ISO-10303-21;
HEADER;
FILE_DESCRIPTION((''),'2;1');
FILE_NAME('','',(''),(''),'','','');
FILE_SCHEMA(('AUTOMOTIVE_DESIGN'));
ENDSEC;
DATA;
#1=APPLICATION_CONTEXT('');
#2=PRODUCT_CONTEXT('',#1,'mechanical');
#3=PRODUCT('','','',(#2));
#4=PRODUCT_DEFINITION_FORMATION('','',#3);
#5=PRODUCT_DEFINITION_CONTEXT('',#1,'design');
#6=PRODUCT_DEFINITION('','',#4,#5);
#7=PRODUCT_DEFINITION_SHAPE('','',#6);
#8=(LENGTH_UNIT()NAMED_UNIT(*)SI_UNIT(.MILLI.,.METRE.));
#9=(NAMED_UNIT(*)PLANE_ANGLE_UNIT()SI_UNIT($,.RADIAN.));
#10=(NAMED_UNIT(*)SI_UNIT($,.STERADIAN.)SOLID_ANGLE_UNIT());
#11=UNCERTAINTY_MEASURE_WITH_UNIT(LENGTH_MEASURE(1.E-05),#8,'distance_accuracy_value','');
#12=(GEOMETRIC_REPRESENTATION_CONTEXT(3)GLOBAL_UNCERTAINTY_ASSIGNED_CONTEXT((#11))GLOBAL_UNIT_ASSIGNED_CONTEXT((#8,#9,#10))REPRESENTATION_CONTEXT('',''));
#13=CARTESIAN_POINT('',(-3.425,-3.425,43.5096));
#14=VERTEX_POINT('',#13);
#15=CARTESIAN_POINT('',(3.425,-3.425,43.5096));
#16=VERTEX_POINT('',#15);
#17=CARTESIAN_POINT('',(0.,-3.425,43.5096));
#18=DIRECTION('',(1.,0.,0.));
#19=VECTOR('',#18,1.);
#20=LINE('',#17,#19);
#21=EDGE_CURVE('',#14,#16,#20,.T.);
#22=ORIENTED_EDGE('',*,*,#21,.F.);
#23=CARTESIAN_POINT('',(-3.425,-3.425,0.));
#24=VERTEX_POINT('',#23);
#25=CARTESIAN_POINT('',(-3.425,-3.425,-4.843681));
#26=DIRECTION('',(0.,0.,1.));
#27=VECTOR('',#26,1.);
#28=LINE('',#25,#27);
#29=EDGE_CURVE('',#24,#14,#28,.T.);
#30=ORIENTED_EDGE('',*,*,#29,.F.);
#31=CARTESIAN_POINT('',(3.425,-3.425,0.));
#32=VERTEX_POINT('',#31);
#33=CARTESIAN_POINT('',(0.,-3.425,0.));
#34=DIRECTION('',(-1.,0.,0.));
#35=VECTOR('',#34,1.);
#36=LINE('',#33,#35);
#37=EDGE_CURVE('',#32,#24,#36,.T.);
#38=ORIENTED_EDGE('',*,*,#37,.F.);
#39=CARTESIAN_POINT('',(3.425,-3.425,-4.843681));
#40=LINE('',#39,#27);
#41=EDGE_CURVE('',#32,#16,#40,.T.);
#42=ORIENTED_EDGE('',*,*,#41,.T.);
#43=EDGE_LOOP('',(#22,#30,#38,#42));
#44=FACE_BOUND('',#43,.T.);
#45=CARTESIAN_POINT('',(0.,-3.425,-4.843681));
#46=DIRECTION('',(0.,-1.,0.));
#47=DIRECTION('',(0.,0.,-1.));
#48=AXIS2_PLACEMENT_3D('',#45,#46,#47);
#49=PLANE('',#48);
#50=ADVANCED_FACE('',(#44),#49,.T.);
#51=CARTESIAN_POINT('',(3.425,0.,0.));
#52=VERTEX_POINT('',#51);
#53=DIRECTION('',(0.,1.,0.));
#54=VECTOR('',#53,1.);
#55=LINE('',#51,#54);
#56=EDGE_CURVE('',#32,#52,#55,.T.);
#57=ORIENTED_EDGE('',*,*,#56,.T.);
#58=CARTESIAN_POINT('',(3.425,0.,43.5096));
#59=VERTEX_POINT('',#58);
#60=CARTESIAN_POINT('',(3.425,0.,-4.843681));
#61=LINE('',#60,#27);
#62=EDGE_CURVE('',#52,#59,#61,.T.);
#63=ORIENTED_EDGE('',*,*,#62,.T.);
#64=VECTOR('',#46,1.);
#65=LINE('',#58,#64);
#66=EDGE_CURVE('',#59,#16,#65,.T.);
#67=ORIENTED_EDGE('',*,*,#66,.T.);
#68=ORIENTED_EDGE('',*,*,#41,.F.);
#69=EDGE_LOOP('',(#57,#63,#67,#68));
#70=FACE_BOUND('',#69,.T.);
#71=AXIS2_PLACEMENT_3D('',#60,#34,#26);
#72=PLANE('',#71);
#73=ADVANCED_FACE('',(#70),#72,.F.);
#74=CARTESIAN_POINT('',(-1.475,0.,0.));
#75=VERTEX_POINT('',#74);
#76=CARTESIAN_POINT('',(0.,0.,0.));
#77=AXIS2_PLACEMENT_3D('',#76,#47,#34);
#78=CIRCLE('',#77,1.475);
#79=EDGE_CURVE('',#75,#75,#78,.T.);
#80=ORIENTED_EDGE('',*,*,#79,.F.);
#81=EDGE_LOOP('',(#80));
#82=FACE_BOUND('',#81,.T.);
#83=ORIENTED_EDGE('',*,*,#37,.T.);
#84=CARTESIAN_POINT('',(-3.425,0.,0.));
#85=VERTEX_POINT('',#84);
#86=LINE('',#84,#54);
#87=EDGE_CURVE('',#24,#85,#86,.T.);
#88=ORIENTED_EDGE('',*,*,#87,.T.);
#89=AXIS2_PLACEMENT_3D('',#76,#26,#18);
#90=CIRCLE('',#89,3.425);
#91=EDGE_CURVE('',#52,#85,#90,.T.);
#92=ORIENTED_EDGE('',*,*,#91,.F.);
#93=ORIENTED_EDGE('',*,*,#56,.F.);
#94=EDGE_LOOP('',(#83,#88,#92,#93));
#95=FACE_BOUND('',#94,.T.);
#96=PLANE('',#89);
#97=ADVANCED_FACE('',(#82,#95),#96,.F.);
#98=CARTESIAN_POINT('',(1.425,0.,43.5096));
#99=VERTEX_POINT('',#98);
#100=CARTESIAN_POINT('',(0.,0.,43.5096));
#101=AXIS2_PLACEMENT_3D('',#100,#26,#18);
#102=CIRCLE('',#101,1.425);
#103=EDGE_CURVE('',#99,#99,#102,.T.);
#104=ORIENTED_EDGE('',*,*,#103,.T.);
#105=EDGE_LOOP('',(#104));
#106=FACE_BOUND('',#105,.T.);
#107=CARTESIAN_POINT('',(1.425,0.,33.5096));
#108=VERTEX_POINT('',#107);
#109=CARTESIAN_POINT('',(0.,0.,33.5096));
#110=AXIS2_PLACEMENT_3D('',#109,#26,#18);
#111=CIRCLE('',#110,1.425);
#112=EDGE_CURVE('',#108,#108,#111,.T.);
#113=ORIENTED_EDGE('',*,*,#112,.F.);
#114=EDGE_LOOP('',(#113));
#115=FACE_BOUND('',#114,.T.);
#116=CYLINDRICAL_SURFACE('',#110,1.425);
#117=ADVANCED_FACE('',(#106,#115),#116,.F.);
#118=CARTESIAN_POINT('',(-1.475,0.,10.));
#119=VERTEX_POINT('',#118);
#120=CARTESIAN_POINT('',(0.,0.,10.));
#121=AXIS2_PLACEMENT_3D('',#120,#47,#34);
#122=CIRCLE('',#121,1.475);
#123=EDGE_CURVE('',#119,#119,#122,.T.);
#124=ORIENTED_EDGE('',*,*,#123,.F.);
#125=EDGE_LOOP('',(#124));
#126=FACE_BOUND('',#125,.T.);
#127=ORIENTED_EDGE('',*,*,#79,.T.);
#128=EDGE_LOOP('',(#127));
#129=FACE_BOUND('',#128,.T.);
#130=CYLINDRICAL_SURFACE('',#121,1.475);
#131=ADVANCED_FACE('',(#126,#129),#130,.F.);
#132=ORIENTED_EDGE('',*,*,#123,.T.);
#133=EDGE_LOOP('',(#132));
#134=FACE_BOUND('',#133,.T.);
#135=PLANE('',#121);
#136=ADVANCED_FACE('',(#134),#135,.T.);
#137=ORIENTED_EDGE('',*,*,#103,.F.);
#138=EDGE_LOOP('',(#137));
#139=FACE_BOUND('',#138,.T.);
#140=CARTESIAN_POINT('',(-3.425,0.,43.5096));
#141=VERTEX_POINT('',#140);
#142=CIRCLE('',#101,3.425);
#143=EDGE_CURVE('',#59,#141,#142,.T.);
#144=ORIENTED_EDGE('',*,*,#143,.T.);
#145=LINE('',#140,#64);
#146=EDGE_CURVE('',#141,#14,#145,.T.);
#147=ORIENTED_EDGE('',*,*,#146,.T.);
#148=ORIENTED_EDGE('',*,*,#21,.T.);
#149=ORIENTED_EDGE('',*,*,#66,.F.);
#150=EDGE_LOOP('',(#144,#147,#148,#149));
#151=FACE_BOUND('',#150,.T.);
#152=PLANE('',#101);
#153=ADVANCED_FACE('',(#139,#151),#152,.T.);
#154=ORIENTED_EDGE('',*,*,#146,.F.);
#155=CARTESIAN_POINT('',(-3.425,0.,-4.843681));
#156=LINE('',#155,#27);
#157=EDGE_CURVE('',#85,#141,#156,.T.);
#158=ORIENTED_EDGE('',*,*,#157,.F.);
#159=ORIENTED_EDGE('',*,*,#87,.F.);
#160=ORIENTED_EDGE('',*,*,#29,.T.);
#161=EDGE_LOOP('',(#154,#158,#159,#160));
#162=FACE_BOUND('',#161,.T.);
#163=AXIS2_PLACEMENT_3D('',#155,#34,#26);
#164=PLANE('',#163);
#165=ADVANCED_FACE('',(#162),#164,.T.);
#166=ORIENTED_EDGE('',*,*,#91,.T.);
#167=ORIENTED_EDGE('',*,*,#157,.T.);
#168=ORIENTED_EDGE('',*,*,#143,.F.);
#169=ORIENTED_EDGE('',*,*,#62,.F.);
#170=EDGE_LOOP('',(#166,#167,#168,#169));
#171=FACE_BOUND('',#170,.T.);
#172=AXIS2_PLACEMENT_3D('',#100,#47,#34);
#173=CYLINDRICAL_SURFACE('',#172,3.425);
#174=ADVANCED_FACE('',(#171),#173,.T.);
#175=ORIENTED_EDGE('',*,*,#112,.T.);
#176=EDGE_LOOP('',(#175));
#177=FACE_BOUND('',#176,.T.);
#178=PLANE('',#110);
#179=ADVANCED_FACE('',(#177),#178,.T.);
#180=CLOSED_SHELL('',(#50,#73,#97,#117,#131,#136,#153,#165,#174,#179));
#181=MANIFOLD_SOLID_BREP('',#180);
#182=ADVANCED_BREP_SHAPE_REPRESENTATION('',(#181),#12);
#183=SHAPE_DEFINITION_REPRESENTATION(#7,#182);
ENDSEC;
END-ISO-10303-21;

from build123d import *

# Parameters (mm, degrees)
SKETCH1_R           = 3.425
BOSS_EXTRUDE1_DEPTH = 43.5096
SKETCH2_R           = 1.475
CUT_EXTRUDE1_DEPTH  = 10
SKETCH3_R           = 1.425
CUT_EXTRUDE2_DEPTH  = 10
BOSS_EXTRUDE2_START = -43.5096
BOSS_EXTRUDE2_DEPTH = 43.5096


with BuildPart() as part:
    # Sketch1 → Boss-Extrude1 (new body)
    with BuildSketch(Plane.XY):
        Circle(SKETCH1_R)
    extrude(amount=BOSS_EXTRUDE1_DEPTH)

    # Sketch2 → Cut-Extrude1 (cut)
    with BuildSketch(Plane(origin=(0, 0, 0), x_dir=(-1, 0, 0), z_dir=(0, 0, -1))):
        Circle(SKETCH2_R)
    extrude(amount=-CUT_EXTRUDE1_DEPTH, mode=Mode.SUBTRACT)

    # Sketch3 → Cut-Extrude2 (cut)
    with BuildSketch(Plane.XY.offset(43.5096)):
        Circle(SKETCH3_R)
    extrude(amount=-CUT_EXTRUDE2_DEPTH, mode=Mode.SUBTRACT)

    # Sketch4 → Boss-Extrude2 (add)
    with BuildSketch(Plane.XY.offset(43.5096).offset(BOSS_EXTRUDE2_START)):
        with BuildLine():
            Line((-3.425, -3.425), (0, -3.425))
            ThreePointArc((0, -3.425), (-2.421840726, -2.421840726), (-3.425, 0))
            Line((-3.425, 0), (-3.425, -3.425))
        make_face()
        with BuildLine():
            ThreePointArc((3.425, 0), (2.421840726, -2.421840726), (0, -3.425))
            Line((0, -3.425), (1.146126532, -3.425))
            Line((1.146126532, -3.425), (3.425, -3.425))
            Line((3.425, -3.425), (3.425, 0))
        make_face()
    extrude(amount=BOSS_EXTRUDE2_DEPTH)


solid = part.part
